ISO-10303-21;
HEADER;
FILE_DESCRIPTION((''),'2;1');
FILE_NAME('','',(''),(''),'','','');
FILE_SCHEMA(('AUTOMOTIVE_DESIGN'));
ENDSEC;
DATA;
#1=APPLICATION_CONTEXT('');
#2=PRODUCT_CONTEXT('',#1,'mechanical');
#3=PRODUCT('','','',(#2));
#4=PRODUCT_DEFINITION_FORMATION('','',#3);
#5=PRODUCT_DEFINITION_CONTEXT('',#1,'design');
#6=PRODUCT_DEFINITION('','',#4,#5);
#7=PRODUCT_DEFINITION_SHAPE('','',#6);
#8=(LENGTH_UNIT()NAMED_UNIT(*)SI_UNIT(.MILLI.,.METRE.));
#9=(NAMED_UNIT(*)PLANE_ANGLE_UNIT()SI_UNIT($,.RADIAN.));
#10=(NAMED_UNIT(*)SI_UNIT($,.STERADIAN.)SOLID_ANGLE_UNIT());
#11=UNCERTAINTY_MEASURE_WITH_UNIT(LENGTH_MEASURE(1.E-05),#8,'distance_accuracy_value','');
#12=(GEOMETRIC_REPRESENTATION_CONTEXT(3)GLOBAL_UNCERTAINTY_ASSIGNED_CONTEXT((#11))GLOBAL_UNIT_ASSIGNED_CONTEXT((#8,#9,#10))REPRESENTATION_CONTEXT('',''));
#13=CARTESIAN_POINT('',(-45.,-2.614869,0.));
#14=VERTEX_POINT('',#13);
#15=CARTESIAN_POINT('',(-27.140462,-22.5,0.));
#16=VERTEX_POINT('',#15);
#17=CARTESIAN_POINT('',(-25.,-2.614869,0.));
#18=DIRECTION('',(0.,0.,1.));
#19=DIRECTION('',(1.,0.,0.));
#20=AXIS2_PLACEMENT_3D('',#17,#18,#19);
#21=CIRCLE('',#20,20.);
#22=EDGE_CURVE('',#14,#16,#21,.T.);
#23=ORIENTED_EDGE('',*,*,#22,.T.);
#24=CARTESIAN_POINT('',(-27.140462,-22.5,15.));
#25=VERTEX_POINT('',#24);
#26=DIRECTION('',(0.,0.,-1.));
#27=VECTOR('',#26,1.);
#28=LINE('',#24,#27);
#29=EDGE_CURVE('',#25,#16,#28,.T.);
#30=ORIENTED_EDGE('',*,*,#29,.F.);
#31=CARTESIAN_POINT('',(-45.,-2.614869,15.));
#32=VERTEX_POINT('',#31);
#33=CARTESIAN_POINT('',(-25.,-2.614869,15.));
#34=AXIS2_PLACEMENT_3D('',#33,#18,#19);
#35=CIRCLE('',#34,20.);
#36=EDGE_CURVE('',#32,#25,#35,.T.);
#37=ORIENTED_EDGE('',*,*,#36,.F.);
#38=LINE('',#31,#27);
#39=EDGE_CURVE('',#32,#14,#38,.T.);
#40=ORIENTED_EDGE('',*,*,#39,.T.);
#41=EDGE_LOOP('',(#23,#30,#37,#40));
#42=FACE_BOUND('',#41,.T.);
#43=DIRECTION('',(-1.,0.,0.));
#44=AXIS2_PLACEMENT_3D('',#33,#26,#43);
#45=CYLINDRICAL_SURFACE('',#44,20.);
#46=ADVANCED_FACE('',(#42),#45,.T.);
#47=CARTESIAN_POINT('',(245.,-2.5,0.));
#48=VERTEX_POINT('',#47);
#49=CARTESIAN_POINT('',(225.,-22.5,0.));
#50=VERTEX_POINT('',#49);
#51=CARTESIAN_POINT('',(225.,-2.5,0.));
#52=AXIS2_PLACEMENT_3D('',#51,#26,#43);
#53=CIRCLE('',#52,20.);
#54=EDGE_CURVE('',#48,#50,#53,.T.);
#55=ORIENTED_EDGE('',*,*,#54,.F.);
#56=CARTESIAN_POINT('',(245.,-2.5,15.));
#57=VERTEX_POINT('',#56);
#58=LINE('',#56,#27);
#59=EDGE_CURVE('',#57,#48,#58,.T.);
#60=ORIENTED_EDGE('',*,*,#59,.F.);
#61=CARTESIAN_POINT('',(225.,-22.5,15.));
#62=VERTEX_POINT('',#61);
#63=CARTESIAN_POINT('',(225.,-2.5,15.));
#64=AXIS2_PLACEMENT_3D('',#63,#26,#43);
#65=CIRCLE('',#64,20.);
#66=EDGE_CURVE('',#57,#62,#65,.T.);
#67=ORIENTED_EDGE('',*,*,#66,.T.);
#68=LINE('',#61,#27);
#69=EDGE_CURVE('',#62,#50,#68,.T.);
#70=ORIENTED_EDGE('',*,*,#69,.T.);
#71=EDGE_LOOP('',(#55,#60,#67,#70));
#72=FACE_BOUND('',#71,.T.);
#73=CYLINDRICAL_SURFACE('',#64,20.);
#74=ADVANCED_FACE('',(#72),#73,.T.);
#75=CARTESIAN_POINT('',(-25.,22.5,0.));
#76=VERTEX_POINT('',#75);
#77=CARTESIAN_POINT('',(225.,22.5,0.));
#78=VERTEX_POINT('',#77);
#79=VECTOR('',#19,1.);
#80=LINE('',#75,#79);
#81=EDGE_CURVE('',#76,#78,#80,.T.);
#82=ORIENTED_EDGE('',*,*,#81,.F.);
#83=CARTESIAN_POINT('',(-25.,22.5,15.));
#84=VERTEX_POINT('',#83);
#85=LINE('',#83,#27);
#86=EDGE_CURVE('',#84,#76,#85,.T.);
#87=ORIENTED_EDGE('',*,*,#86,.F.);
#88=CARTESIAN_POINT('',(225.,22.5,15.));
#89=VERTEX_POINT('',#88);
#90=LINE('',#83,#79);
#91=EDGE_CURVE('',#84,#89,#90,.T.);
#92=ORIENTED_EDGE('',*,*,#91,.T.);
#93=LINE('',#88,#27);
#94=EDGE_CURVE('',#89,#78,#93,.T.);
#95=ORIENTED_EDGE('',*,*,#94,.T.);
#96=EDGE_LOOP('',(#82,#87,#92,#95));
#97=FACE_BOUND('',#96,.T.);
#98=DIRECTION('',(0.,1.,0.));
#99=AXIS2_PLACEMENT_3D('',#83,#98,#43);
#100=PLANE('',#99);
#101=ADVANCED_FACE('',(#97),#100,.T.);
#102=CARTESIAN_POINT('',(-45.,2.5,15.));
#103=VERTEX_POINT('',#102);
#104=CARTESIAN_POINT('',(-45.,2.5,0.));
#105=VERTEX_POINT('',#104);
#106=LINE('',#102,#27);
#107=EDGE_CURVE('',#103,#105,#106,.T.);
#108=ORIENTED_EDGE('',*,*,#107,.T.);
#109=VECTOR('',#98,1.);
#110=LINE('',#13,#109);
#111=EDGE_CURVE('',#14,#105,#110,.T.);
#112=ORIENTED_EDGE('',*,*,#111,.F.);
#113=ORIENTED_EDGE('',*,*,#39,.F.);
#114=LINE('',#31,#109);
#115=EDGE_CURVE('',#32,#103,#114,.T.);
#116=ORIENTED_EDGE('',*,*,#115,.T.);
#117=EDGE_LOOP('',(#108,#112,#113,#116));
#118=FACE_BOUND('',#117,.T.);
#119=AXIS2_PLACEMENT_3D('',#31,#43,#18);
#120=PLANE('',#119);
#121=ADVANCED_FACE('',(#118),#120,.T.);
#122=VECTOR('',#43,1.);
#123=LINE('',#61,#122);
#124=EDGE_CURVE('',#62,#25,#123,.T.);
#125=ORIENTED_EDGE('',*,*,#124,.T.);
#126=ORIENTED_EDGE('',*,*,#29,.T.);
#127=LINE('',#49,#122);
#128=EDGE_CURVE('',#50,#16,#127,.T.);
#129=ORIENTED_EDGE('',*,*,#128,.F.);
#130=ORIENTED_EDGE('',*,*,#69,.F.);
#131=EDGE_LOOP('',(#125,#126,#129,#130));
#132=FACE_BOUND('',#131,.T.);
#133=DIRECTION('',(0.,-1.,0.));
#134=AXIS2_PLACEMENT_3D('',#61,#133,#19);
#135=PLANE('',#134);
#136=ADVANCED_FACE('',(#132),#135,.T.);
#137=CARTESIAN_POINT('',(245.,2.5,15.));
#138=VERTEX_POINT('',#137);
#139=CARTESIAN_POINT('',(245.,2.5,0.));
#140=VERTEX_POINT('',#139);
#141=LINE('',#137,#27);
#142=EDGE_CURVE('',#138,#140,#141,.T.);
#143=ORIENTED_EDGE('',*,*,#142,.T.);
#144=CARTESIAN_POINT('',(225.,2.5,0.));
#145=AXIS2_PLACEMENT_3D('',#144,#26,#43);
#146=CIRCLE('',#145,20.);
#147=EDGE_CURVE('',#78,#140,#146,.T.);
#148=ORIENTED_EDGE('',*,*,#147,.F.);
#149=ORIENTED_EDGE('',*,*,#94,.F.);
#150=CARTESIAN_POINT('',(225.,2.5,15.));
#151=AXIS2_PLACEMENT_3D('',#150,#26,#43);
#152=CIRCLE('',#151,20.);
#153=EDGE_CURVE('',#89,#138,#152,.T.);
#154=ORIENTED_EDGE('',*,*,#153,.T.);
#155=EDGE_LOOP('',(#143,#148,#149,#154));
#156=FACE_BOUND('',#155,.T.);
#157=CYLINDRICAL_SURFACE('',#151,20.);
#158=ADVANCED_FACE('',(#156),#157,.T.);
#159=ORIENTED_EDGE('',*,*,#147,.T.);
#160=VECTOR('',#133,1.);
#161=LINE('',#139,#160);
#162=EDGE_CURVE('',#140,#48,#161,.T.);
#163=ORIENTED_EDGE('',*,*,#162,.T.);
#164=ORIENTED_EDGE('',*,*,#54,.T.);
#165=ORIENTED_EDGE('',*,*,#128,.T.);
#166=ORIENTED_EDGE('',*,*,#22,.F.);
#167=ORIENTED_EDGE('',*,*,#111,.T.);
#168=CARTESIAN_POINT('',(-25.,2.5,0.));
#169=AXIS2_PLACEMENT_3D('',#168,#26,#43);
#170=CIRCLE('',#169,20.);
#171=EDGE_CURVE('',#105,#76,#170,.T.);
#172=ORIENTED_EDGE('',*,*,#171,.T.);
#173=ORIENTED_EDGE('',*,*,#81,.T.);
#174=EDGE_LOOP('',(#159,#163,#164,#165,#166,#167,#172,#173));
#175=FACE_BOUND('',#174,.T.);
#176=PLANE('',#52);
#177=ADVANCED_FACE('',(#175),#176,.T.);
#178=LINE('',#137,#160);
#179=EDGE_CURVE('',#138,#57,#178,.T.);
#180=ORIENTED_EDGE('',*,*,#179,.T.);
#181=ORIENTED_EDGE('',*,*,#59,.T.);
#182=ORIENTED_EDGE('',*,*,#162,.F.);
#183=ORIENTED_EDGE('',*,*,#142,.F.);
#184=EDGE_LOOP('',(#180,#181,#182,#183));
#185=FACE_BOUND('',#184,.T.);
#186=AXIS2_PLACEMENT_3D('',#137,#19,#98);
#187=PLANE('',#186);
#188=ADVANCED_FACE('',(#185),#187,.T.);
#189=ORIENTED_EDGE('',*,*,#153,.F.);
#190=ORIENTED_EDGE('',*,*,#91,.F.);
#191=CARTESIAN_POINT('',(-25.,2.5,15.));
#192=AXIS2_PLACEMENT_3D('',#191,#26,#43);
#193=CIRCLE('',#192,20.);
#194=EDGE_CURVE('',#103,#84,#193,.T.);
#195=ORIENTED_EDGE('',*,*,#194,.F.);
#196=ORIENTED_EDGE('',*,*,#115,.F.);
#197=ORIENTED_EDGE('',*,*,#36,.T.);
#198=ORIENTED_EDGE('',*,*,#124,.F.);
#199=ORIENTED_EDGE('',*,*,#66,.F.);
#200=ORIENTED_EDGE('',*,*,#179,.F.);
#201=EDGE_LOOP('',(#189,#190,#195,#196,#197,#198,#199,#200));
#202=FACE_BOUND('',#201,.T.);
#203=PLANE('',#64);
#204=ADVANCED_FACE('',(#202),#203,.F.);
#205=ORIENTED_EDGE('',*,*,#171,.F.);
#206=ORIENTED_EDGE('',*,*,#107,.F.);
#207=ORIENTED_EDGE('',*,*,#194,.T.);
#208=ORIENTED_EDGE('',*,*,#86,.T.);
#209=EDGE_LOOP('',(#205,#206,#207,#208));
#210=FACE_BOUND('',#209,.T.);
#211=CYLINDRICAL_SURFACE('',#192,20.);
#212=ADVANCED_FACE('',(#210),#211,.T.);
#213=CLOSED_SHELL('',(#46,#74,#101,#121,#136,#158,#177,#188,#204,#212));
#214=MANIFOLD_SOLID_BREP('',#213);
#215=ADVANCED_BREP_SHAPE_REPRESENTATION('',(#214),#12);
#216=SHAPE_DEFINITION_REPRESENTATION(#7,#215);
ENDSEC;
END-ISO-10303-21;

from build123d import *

# Parameters (mm, degrees)
RESSALTO_EXTRUS_O1_DEPTH = 15


with BuildPart() as part:
    # Esboço1 → Ressalto-extrusão1 (new body)
    with BuildSketch(Plane.XY):
        with BuildLine():
            Line((-25, 22.5), (225, 22.5))
            ThreePointArc((225, 22.5), (239.142135624, 16.642135624), (245, 2.5))
            Line((245, 2.5), (245, -2.5))
            ThreePointArc((245, -2.5), (239.142135624, -16.642135624), (225, -22.5))
            Line((225, -22.5), (-27.140462438, -22.5))
            ThreePointArc((-27.140462438, -22.5), (-39.879671515, -15.978827442), (-45, -2.61486936))
            Line((-45, -2.61486936), (-45, 2.5))
            ThreePointArc((-45, 2.5), (-39.142135624, 16.642135624), (-25, 22.5))
        make_face()
    extrude(amount=RESSALTO_EXTRUS_O1_DEPTH)


solid = part.part
